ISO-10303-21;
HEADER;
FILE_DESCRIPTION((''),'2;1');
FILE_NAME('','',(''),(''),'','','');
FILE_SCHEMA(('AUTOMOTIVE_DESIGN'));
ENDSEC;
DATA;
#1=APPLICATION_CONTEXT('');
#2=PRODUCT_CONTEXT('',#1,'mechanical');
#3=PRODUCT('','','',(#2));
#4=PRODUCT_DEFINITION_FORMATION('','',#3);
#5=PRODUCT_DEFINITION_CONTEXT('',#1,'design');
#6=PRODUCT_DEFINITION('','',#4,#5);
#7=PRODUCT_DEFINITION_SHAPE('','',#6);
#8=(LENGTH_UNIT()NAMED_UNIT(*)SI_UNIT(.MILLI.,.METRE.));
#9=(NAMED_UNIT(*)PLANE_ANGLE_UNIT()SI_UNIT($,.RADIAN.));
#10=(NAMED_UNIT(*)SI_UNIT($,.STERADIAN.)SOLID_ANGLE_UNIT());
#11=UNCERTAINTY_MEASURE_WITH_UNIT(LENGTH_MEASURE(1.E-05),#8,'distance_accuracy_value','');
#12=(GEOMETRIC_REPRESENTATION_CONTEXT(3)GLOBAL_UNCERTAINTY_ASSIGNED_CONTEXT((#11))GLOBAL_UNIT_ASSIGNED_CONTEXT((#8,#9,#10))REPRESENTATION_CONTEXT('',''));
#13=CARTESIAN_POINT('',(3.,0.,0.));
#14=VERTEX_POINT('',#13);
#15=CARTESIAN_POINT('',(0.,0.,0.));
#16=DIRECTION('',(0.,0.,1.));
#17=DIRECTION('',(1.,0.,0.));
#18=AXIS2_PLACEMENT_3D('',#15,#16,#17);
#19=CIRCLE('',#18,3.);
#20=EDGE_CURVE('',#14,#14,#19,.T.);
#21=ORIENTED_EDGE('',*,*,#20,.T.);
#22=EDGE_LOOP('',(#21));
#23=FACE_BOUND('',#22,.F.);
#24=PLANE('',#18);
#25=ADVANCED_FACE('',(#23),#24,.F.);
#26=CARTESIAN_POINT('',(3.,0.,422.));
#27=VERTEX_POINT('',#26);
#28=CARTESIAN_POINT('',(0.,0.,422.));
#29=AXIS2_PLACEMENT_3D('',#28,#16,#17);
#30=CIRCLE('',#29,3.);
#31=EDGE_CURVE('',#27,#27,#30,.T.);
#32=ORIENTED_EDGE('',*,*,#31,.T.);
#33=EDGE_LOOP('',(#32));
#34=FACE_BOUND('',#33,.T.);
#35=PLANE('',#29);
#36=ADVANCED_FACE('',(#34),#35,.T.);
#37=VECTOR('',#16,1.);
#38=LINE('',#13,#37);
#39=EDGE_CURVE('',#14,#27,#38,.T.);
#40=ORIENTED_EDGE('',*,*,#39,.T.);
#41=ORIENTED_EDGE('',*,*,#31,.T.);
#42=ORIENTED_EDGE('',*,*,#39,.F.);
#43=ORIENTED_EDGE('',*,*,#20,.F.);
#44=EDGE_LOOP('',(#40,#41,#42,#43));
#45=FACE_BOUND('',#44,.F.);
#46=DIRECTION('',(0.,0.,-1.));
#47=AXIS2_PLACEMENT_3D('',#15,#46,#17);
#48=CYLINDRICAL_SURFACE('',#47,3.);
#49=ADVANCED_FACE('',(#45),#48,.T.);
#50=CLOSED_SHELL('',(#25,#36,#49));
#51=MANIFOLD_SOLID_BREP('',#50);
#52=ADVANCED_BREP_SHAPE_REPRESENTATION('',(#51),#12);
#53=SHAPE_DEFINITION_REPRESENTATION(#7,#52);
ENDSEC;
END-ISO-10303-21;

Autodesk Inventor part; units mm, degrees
ref_plane "YZ Plane" through (0, 0, 0) normal (1, 0, 0) x (0, 1, 0)
ref_plane "XZ Plane" through (0, 0, 0) normal (0, 1, 0) x (-1, 0, 0)
ref_plane "XY Plane" through (0, 0, 0) normal (0, 0, 1) x (1, 0, 0)
sketch "Sketch1" plane through (0, 0, 0) normal (0, 0, 1) x (1, 0, 0)
  circle A0 centre (0, 0) radius 3
  dimension "d0" = 6
extrude "Extrusion1" add sketch "Sketch1" along normal blind 422
thread "Thread1" size "M6x1" class "6g" standard "ANSI Metric M Profile" full length
properties part number "gevindstang1" material "Steel"
